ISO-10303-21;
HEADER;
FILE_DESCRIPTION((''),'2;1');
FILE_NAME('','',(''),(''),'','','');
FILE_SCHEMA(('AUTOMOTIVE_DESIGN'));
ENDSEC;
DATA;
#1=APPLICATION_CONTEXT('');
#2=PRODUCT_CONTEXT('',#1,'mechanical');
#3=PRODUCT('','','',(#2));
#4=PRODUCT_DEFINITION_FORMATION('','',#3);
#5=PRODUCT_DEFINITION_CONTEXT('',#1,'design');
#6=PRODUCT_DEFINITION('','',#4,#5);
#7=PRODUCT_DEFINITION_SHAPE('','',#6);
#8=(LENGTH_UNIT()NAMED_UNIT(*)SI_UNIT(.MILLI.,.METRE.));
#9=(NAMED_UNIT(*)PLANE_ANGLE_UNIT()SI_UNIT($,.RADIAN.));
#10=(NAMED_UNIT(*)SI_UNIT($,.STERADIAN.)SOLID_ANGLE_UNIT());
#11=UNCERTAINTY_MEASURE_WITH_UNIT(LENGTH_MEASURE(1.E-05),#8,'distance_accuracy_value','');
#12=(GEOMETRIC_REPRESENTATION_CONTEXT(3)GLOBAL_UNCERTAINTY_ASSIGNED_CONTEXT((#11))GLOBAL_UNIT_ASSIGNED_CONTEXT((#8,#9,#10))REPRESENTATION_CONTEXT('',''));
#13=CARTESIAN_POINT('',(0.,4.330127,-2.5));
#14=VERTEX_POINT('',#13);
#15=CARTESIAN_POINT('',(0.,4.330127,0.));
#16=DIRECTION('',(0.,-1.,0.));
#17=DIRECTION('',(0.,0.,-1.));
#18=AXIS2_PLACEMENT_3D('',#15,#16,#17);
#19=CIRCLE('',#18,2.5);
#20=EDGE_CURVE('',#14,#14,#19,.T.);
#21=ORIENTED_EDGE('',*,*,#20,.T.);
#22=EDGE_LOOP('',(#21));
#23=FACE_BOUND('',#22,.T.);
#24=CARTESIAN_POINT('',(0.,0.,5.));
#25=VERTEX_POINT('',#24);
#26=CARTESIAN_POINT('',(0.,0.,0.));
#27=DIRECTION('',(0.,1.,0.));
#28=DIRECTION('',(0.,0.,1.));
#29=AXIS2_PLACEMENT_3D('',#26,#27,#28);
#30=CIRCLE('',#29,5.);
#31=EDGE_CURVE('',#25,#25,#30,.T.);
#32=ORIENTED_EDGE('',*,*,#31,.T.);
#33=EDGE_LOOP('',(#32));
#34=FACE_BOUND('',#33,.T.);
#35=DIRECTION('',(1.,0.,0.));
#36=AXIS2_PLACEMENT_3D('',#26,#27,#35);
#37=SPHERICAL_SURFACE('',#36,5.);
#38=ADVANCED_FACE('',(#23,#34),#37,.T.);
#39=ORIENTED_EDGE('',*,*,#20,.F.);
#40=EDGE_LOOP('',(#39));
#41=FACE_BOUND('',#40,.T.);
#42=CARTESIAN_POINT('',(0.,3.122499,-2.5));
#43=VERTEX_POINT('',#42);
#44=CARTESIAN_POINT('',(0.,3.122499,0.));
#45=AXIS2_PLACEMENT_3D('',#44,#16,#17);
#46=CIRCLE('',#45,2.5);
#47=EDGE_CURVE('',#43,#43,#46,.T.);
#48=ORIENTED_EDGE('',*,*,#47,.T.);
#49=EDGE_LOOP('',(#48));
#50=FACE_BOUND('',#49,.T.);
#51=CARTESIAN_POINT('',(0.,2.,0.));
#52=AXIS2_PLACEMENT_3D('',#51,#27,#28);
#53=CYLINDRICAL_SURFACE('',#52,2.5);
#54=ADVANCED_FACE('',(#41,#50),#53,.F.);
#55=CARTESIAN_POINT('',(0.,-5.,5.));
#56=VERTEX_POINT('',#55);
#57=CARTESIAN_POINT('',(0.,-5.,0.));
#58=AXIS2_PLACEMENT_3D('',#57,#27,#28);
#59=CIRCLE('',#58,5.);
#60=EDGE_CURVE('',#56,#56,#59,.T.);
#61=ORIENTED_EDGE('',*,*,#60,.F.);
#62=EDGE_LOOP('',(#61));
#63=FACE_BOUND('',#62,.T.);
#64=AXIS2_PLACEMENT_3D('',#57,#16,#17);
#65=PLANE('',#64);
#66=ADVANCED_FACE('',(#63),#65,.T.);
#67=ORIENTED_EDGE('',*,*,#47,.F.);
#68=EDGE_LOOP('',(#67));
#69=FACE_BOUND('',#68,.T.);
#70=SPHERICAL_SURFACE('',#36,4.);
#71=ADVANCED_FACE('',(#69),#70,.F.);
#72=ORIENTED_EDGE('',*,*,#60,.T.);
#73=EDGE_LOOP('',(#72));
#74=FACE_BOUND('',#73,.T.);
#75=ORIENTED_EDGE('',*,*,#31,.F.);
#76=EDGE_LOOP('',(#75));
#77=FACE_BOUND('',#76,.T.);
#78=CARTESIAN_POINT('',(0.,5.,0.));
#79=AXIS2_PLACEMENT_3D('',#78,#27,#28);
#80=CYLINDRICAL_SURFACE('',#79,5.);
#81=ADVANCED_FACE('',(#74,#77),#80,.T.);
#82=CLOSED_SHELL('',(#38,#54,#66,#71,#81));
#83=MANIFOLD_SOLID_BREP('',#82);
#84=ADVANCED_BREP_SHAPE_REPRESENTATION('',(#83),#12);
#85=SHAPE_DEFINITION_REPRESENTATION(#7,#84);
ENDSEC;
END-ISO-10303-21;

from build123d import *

# Parameters (mm, degrees)
SKETCH3_R          = 2.5
CUT_EXTRUDE1_DEPTH = 3


with BuildPart() as part:
    # Sketch1 → Revolve2 (revolve)
    with BuildSketch(Plane.XY):
        with BuildLine():
            ThreePointArc((0, -5), (5, 0), (0, 5))
            Line((0, 5), (0, -5))
        make_face()
        with BuildLine():
            ThreePointArc((5, 0), (3.535533906, -3.535533906), (0, -5))
            Line((0, -5), (5, -5))
            Line((5, -5), (5, 0))
        make_face()
    revolve(axis=Axis((0, 5, 0), (0, -1, 0)))

    # Sketch2 → Cut-Revolve1 (revolve, cut)
    with BuildSketch(Plane.XY):
        with BuildLine():
            Line((0, 4), (0, -4))
            ThreePointArc((0, -4), (4, 0), (0, 4))
        make_face()
    revolve(axis=Axis((0, 4, 0), (0, -1, 0)), mode=Mode.SUBTRACT)

    # Sketch3 → Cut-Extrude1 (cut)
    with BuildSketch(Plane(origin=(0, 5, 0), x_dir=(1, 0, 0), z_dir=(0, 1, 0))):
        with Locations(Location((0, 0, 0), (0, 0, 90))):
            Circle(SKETCH3_R)
    extrude(amount=-CUT_EXTRUDE1_DEPTH, mode=Mode.SUBTRACT)


solid = part.part
